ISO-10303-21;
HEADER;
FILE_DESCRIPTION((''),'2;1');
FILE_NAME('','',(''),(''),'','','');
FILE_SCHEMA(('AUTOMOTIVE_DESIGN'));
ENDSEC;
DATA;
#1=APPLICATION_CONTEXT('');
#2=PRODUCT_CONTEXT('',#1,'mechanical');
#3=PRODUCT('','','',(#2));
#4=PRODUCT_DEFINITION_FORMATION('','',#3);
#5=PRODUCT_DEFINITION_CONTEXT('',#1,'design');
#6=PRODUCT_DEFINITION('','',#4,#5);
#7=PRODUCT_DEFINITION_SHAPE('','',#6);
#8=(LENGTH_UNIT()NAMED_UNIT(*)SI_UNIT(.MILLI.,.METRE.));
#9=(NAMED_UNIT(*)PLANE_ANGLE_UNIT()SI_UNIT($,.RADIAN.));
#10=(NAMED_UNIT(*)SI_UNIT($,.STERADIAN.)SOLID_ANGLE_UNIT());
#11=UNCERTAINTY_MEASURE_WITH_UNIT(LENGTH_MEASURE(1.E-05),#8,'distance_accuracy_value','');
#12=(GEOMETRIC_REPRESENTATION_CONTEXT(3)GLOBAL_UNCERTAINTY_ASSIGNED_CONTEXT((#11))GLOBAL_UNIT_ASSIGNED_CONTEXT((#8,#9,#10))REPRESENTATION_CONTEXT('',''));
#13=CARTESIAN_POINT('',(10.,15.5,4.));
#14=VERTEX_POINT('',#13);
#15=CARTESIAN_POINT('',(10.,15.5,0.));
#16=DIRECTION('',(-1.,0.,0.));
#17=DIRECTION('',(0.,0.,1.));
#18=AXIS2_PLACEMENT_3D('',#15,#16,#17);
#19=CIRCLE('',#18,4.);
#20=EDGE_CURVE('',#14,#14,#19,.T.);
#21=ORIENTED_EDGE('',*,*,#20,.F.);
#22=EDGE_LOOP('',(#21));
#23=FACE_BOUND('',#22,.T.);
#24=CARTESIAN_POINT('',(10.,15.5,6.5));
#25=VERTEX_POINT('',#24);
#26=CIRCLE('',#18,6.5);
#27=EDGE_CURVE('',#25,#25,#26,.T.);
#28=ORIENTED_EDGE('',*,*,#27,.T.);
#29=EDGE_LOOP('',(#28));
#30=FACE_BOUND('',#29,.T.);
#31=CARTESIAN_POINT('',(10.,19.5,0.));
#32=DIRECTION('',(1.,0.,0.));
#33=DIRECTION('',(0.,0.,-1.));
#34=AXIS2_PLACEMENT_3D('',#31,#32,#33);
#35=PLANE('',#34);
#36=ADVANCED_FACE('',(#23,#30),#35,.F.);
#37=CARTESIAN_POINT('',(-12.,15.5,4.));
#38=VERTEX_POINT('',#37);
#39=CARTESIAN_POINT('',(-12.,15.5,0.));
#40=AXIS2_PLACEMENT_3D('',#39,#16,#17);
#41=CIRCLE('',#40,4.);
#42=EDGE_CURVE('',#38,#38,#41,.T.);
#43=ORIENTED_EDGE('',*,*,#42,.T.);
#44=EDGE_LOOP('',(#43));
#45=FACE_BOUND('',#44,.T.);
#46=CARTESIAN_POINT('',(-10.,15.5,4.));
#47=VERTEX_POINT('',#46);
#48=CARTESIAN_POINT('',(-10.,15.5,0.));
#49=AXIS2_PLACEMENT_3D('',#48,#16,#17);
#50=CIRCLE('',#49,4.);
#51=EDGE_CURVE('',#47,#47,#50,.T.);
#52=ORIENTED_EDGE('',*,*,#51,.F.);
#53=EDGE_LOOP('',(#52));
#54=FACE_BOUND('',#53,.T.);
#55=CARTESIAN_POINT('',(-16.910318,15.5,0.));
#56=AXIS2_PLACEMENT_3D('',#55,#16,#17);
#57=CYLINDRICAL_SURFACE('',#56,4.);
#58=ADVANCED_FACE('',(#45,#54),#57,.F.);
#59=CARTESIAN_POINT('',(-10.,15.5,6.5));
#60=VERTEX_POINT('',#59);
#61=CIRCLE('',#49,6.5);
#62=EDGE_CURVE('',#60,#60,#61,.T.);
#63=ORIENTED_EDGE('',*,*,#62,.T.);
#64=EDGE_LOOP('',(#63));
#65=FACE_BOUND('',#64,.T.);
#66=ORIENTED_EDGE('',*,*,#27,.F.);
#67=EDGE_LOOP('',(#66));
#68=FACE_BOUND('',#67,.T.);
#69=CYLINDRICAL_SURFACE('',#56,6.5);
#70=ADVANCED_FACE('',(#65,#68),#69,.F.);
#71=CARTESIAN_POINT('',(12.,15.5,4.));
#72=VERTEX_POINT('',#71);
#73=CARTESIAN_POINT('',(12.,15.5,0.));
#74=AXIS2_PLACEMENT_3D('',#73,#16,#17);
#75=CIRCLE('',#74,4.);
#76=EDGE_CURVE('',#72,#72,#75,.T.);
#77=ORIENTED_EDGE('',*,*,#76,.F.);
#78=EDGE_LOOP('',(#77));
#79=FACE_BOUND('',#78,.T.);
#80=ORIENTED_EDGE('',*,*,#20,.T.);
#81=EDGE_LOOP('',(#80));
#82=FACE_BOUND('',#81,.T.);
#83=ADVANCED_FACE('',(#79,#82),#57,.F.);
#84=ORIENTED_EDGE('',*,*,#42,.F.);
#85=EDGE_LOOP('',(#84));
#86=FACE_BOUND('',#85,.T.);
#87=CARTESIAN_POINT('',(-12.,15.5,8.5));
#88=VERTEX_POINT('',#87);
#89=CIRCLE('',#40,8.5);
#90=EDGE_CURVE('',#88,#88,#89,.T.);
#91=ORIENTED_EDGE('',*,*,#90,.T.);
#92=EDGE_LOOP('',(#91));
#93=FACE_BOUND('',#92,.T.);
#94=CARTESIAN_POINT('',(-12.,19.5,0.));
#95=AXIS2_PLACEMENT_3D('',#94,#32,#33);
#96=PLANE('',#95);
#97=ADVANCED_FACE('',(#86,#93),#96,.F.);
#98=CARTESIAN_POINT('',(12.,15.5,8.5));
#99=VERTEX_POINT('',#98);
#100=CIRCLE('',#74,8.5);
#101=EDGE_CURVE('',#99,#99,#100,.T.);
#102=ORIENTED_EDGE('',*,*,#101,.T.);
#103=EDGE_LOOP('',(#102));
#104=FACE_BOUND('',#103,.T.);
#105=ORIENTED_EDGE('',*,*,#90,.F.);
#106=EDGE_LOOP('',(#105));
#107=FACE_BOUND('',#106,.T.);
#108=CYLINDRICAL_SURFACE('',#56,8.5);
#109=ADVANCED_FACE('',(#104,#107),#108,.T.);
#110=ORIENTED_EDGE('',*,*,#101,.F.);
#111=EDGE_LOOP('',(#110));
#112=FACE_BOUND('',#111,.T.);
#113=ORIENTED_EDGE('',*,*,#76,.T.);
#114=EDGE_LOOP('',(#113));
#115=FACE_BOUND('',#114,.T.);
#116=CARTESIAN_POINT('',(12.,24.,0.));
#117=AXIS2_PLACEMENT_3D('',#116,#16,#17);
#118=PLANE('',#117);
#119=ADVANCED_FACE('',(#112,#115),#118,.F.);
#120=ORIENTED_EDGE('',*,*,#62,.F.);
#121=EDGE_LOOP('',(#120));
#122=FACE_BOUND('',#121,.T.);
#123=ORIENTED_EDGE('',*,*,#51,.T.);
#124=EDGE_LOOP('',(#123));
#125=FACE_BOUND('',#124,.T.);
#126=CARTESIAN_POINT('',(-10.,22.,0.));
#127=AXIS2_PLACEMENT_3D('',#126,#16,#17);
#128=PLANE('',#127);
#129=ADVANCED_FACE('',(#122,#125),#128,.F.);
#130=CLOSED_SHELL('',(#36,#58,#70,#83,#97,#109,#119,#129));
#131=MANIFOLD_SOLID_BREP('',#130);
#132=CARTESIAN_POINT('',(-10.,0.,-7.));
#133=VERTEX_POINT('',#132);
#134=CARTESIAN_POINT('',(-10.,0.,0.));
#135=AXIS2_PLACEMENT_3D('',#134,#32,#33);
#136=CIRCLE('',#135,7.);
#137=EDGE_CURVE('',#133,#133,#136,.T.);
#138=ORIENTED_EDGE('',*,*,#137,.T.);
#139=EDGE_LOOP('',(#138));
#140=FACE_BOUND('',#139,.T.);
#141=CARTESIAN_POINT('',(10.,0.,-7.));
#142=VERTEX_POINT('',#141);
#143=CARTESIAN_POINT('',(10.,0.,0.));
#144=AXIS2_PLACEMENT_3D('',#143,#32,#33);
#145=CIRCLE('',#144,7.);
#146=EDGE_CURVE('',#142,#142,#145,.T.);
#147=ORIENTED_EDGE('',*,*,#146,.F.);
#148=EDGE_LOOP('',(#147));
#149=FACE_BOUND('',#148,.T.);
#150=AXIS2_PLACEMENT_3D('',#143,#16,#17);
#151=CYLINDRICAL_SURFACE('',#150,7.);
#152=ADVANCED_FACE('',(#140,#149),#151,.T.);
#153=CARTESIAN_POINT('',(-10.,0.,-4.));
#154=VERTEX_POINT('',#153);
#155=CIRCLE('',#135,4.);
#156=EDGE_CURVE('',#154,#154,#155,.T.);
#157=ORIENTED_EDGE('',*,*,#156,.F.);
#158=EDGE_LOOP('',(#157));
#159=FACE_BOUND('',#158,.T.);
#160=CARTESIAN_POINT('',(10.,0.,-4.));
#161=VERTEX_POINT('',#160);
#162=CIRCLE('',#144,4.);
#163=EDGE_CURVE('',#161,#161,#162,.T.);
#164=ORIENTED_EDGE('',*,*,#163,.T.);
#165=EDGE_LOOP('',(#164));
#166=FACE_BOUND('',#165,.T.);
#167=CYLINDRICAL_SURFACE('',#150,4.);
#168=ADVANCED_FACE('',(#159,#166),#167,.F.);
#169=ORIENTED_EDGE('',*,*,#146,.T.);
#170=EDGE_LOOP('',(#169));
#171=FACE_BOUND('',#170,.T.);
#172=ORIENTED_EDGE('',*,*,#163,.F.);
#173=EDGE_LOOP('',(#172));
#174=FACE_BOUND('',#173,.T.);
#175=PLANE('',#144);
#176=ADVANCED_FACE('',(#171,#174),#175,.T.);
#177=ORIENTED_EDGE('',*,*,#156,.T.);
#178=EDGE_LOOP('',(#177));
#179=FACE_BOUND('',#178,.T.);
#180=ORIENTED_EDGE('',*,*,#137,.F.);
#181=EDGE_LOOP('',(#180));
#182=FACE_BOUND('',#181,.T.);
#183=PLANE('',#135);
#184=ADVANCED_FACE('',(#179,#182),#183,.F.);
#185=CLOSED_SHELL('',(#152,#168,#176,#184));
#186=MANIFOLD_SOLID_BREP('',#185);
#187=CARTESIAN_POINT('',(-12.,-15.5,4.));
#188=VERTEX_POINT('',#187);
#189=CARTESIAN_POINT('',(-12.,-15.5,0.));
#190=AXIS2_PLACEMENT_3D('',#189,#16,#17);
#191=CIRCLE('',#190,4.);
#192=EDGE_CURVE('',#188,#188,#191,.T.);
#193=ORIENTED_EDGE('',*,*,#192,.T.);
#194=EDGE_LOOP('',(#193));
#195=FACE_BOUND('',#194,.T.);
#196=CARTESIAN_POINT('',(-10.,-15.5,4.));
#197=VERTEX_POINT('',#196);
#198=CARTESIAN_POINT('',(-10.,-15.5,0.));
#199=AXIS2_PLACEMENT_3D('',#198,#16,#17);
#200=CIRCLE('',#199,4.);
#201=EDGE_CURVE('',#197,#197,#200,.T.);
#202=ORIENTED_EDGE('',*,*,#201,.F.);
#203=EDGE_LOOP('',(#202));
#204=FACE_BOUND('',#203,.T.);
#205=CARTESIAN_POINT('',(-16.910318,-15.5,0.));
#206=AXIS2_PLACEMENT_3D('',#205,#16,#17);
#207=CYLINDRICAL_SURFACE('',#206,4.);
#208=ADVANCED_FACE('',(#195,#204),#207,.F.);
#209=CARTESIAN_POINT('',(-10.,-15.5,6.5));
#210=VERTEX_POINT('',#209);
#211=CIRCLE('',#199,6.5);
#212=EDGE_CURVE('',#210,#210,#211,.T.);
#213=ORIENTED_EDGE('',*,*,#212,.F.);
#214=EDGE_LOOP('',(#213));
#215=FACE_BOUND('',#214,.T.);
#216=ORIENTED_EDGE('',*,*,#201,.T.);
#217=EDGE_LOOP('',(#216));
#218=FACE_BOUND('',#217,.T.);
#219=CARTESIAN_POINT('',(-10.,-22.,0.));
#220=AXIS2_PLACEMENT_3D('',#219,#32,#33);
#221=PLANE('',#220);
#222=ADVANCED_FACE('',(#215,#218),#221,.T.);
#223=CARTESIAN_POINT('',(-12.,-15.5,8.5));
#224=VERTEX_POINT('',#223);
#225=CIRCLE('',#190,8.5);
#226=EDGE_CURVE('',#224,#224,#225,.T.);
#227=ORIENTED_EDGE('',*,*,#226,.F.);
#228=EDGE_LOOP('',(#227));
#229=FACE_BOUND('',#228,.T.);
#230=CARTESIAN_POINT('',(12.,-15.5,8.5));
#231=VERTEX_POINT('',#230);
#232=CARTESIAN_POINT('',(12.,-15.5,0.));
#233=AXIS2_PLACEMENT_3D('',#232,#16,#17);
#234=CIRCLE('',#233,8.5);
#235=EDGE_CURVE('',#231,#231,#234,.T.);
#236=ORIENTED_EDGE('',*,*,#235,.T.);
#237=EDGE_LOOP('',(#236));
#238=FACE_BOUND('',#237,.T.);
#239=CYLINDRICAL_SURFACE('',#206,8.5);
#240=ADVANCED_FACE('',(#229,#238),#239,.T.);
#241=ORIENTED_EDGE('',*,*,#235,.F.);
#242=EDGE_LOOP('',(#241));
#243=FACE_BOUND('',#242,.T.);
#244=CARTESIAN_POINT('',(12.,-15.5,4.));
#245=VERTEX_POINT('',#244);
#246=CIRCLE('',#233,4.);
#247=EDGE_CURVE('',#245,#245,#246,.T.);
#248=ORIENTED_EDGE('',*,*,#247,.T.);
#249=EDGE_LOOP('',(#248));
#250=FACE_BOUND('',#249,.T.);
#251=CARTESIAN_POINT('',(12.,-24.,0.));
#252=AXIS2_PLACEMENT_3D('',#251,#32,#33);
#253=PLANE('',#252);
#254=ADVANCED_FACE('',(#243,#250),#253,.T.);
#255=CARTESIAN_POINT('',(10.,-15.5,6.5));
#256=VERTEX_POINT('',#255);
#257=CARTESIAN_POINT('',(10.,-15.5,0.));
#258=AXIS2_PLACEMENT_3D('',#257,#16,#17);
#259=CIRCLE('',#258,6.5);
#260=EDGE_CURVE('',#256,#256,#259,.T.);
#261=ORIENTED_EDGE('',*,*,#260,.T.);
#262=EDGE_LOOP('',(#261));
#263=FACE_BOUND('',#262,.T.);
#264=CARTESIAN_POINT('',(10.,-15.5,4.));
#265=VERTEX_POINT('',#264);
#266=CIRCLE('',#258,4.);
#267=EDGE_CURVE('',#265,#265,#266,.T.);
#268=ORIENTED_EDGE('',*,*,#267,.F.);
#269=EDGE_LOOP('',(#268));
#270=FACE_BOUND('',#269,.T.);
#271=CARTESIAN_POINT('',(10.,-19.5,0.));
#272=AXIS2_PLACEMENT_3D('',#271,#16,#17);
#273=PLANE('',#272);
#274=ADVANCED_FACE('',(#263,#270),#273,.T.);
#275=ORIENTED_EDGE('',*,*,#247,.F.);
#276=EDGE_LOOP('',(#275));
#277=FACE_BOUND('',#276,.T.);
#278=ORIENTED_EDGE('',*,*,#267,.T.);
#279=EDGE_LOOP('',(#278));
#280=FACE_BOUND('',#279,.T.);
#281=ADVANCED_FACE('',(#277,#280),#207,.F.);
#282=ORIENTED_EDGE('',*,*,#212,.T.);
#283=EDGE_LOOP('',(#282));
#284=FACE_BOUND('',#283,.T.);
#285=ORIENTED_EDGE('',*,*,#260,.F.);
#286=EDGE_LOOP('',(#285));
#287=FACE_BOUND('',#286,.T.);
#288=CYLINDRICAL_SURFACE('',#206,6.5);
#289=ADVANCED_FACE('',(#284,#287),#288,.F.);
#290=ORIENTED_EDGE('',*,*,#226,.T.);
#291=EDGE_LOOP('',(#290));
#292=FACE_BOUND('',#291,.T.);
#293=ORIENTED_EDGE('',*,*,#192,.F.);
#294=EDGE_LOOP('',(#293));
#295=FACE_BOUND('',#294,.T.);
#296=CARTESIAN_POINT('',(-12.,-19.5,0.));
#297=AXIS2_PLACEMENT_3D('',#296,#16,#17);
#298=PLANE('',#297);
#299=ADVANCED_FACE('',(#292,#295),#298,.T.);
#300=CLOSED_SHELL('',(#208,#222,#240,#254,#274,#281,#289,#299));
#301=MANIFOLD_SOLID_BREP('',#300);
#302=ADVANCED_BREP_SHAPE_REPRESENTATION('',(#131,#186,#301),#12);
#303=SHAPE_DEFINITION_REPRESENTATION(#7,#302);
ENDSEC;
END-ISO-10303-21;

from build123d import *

# Parameters (mm, degrees)
SKETCH1_R           = 7
SKETCH1_R_2         = 4
BOSS_EXTRUDE1_DEPTH = 10


with BuildPart() as part:
    # Sketch1 → Boss-Extrude1 (new, symmetric)
    with BuildSketch(Plane(origin=(0, 0, 0), x_dir=(0, 0, -1), z_dir=(1, 0, 0))):
        Circle(SKETCH1_R)
        Circle(SKETCH1_R_2, mode=Mode.SUBTRACT)
    extrude(amount=BOSS_EXTRUDE1_DEPTH, both=True)


with BuildPart() as body_2:
    # Sketch2 → Revolve1 (revolve)
    with BuildSketch(Plane.XY, mode=Mode.PRIVATE) as revolve1_sk:
        Polygon((-12, 24), (12, 24), (12, 19.5), (10, 19.5), (10, 22), (-10, 22), (-10, 19.5), (-12, 19.5), align=None)
    revolve(revolve1_sk.sketch.rotate(Axis((-16.910318353, 15.5, 0), (1, 0, 0)), 90), axis=Axis((-16.910318353, 15.5, 0), (1, 0, 0)))


with BuildPart() as body_3:
    # Sketch3 → Revolve2 (revolve)
    with BuildSketch(Plane.XY, mode=Mode.PRIVATE) as revolve2_sk:
        Polygon((-12, -24), (12, -24), (12, -19.5), (10, -19.5), (10, -22), (-10, -22), (-10, -19.5), (-12, -19.5), align=None)
    revolve(revolve2_sk.sketch.rotate(Axis((-16.910318353, -15.5, 0), (1, 0, 0)), 270), axis=Axis((-16.910318353, -15.5, 0), (1, 0, 0)))


solid = Compound([part.part, body_2.part, body_3.part])
